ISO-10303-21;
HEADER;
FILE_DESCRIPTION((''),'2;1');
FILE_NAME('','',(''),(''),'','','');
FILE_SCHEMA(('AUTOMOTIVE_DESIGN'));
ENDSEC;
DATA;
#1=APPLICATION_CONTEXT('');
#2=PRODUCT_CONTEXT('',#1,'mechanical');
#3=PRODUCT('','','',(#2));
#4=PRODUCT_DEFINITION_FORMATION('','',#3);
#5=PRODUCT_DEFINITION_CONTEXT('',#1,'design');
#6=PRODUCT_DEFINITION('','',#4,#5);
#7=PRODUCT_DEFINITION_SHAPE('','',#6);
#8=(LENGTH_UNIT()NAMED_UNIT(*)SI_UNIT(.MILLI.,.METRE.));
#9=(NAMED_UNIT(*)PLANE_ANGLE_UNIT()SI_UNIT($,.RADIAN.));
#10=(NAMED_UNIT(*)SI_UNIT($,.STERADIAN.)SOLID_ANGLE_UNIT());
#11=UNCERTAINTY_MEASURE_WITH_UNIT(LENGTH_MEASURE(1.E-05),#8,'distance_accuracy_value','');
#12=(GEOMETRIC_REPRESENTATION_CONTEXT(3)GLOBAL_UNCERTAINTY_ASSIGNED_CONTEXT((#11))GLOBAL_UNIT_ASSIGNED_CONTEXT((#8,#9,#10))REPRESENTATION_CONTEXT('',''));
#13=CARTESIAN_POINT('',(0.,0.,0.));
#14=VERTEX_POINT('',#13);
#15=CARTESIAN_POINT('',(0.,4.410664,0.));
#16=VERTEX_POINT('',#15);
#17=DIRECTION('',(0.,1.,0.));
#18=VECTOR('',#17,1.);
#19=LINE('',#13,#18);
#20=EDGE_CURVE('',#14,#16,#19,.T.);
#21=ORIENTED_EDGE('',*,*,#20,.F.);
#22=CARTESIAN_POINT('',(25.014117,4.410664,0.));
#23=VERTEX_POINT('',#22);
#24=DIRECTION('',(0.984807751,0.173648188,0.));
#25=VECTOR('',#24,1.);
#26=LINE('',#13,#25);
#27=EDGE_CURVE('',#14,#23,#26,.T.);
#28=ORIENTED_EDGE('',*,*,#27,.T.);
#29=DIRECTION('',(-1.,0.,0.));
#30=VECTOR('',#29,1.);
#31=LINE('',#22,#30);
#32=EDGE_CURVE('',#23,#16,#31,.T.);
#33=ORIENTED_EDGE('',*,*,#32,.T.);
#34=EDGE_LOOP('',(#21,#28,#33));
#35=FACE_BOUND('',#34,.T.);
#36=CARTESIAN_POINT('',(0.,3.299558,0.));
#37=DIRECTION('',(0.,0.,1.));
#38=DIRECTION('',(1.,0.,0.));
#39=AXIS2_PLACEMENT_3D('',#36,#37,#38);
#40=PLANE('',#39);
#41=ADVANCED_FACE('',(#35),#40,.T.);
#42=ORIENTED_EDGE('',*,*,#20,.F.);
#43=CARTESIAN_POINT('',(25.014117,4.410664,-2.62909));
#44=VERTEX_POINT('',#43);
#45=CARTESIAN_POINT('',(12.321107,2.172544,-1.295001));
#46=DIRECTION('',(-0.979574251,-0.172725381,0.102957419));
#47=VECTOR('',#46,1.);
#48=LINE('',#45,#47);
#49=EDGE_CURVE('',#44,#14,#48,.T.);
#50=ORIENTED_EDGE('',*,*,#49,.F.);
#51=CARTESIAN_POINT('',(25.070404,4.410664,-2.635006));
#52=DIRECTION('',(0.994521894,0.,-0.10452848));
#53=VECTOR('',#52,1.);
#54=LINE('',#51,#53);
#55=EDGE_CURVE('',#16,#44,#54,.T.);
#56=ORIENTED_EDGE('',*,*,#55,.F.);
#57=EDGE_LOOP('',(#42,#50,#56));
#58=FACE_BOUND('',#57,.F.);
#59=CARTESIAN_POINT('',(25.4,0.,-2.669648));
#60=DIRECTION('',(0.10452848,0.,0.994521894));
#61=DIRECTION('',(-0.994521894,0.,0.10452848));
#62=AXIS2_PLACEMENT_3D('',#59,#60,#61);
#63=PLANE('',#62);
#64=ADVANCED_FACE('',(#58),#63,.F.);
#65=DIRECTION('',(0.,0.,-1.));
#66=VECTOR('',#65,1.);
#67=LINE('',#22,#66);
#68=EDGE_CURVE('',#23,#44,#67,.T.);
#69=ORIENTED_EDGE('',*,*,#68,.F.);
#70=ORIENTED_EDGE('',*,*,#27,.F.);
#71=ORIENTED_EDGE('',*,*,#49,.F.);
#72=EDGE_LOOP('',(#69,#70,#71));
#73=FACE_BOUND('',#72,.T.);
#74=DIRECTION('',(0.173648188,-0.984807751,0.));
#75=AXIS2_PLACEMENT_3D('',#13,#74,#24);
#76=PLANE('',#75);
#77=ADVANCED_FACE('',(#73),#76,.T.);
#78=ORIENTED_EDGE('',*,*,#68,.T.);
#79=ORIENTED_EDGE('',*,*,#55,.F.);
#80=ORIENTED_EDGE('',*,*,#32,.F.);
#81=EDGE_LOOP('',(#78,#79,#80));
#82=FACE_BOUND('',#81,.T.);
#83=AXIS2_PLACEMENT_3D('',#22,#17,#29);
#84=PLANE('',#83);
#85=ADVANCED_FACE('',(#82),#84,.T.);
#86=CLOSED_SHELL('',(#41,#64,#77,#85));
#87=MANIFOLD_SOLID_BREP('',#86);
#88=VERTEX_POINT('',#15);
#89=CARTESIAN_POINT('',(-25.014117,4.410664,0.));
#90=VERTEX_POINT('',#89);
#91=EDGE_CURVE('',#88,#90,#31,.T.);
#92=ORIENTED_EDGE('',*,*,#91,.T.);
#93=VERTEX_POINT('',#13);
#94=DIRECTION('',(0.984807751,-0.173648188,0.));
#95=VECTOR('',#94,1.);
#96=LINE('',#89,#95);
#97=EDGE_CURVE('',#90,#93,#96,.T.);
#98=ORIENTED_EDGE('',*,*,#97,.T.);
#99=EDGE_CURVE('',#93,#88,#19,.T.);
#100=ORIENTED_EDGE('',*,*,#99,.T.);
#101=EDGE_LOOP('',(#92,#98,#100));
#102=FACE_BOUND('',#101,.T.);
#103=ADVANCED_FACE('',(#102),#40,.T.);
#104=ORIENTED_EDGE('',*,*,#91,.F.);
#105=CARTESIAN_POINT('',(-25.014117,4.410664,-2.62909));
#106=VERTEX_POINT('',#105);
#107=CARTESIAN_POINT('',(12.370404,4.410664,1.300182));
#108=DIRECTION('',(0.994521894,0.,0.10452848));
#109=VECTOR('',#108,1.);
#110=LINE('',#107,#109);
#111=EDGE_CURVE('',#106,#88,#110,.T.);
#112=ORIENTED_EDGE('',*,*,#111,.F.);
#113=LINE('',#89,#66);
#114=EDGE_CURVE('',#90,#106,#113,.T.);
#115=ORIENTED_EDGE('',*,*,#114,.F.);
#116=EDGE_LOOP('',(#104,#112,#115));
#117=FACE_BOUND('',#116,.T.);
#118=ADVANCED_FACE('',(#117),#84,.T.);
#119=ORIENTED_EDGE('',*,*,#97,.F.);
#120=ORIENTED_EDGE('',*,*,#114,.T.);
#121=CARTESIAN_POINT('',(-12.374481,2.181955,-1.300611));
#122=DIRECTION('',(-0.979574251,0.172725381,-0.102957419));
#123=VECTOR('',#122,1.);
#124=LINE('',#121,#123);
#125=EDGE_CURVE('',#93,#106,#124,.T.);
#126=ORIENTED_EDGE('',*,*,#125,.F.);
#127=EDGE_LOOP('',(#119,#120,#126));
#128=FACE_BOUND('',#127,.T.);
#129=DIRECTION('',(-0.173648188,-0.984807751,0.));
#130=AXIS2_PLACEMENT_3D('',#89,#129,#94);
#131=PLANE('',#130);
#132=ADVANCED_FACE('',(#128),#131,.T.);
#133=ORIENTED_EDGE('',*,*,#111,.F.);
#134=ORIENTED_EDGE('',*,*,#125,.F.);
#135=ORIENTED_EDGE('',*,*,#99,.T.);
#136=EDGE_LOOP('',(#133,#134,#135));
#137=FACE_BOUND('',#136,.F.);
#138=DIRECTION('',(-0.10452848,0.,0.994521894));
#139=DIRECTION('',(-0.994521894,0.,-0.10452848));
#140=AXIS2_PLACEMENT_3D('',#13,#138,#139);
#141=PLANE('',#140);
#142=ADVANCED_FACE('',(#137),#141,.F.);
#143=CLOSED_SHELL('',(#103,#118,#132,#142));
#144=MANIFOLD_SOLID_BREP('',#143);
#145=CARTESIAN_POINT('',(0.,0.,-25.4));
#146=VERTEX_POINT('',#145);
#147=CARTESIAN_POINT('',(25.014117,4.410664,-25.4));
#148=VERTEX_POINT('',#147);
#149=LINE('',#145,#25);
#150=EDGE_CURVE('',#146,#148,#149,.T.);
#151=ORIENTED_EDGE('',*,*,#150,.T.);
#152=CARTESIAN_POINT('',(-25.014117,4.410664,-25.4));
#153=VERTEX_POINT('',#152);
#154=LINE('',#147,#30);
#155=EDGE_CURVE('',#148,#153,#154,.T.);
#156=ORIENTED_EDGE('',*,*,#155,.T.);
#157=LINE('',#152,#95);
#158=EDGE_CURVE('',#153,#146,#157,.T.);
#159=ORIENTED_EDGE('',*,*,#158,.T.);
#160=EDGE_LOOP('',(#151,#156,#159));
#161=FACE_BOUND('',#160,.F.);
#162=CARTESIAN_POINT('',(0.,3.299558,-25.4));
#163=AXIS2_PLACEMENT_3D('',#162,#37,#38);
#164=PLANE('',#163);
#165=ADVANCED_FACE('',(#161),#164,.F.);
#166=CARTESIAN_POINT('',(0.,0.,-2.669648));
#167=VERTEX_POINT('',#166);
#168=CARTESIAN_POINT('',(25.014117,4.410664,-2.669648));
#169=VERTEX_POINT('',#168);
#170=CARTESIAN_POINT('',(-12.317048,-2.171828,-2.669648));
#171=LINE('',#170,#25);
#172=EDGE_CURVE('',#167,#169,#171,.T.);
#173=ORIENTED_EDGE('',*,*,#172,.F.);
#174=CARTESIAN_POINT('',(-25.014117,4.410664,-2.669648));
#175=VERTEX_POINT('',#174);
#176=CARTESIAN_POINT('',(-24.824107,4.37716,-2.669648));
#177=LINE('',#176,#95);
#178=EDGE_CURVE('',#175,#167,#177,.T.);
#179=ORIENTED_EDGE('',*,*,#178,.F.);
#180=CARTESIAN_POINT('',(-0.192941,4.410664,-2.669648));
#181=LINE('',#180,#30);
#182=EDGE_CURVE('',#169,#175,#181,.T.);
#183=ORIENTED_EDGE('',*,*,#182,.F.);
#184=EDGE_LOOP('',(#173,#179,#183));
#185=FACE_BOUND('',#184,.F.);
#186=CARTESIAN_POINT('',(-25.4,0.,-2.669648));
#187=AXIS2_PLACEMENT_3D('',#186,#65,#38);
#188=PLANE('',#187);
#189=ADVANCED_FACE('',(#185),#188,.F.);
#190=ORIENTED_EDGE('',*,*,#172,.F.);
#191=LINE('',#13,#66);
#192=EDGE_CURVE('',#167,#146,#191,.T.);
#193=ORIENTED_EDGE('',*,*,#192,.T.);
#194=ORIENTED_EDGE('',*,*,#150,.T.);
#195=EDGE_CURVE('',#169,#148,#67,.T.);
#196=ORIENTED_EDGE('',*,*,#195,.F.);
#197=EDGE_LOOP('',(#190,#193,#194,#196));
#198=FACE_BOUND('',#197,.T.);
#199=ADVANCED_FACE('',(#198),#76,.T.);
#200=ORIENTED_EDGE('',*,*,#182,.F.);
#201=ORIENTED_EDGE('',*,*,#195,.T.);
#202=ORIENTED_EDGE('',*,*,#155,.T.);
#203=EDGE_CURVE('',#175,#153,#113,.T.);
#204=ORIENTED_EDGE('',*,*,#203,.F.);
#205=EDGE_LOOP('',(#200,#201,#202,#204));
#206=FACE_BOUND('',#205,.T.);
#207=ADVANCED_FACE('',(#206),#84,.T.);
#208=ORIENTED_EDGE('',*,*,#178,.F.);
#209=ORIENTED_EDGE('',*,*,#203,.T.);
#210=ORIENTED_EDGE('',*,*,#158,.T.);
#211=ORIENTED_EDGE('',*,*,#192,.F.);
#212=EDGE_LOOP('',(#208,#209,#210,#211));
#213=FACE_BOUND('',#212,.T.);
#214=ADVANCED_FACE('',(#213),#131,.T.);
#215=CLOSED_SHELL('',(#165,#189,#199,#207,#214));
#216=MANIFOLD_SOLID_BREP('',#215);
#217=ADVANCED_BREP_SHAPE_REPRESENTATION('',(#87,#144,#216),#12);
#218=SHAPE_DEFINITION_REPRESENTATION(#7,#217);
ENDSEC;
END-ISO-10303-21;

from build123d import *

# Parameters (mm, degrees)
F2_DEPTH = 25.4
F3_DEPTH = 25.4


with BuildPart() as f2:
    # F0 (on Top) → F2 (new body)
    with BuildSketch(Plane.XY):
        Polygon((-25.014117, 4.410664), (0, 0), (25.014117, 4.410664), align=None)
    extrude(amount=-F2_DEPTH)

    # F1 (on Front) → F3 (cut)
    with BuildSketch(Plane.XZ):
        Polygon((25.4, -2.669648), (0, 0), (-25.4, -2.669648), align=None)
    extrude(amount=-F3_DEPTH, mode=Mode.SUBTRACT)


solid = f2.part
